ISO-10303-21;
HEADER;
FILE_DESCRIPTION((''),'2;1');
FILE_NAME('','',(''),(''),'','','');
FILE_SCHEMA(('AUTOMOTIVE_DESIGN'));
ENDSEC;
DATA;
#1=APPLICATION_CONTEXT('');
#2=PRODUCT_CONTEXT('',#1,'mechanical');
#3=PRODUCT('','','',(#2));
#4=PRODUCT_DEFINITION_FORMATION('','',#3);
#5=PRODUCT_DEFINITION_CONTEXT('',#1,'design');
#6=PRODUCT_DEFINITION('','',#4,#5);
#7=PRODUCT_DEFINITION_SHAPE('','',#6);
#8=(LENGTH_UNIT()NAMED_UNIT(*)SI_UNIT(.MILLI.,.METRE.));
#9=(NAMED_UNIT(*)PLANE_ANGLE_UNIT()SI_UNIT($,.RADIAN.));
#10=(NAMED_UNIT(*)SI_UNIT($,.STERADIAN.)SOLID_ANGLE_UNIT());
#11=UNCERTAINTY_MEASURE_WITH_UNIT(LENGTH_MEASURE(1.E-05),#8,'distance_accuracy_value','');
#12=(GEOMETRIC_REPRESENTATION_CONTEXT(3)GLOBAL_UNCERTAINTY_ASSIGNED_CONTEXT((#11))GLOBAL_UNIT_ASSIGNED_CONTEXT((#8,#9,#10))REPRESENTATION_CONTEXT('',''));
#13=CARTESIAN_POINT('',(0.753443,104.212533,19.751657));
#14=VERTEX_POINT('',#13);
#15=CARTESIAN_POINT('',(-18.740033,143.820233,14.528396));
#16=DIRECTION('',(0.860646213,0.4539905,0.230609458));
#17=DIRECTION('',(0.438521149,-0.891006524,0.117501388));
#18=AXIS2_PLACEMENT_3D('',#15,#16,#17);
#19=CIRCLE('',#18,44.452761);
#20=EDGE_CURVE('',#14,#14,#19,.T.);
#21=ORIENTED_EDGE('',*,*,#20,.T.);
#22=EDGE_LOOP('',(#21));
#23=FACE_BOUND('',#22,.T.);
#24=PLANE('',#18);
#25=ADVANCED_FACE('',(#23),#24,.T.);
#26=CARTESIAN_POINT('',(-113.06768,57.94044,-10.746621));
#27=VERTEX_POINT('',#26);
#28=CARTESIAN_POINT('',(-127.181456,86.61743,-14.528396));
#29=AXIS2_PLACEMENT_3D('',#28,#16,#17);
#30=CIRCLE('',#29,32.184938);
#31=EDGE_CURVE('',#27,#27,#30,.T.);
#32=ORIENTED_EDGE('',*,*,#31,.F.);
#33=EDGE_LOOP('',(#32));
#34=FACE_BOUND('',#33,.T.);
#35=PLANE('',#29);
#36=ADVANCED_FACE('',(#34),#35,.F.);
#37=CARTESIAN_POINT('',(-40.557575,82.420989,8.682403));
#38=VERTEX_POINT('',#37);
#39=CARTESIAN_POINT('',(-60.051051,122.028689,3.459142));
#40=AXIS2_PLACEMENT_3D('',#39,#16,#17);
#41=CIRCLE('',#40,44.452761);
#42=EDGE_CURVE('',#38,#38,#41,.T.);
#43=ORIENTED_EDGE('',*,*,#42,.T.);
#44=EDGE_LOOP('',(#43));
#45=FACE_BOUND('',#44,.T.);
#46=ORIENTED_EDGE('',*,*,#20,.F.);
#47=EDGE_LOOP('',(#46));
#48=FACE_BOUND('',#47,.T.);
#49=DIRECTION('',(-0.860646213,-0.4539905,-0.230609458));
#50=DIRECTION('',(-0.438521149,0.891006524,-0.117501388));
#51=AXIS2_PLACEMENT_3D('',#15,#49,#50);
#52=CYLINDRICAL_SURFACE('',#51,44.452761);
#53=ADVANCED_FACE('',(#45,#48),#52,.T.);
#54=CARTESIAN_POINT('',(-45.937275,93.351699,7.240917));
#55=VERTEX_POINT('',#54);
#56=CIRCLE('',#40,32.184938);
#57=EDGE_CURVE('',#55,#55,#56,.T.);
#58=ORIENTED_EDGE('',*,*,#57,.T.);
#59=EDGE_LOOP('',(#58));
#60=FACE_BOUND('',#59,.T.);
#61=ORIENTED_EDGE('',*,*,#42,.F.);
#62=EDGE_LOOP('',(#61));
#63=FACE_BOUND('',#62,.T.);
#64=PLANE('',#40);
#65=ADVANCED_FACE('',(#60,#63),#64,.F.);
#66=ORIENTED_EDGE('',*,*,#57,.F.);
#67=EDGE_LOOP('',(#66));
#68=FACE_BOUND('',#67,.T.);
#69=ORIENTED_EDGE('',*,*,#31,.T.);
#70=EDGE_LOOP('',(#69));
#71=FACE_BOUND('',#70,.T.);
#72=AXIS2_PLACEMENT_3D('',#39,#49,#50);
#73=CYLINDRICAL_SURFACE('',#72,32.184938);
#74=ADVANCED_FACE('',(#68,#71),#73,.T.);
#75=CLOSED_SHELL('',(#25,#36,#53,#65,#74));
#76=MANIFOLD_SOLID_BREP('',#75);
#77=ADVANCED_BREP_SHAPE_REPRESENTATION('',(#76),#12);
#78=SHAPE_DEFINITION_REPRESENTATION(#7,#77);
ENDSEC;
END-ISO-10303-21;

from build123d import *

# Parameters (mm, degrees)
SKETCH2_R             = 32.184938318
BOSS_EXTRUDE1_DEPTH   = 78
SKETCH3_R             = 44.452761075
BOSS_EXTRUDE2_DEPTH   = 48
BODY_MOVE_COPY2_ANGLE = 94.867085016


with BuildPart() as part:
    # Sketch2 → Boss-Extrude1 (new body)
    with BuildSketch(Plane(origin=(0, 0, 0), x_dir=(1, 0, 0), z_dir=(0, 1, 0))):
        Circle(SKETCH2_R)
    extrude(amount=BOSS_EXTRUDE1_DEPTH)

    # Sketch3 → Boss-Extrude2 (add)
    with BuildSketch(Plane(origin=(0, 78, 0), x_dir=(1, 0, 0), z_dir=(0, 1, 0))):
        Circle(SKETCH3_R)
    extrude(amount=BOSS_EXTRUDE2_DEPTH)


with BuildPart() as part_1:
    # Body-Move/Copy1: moved
    add(part.part.moved(Location((-72.960744445, 52.218831428, 0))))


with BuildPart() as part_2:
    # Body-Move/Copy2: moved
    add(part_1.part.moved(Location((0, 0, 0))).rotate(Axis((-95.551423715, 86.931599726, 17.334437881), (0.562837469, 0.704764727, -0.43188038)), BODY_MOVE_COPY2_ANGLE))


solid = part_2.part
